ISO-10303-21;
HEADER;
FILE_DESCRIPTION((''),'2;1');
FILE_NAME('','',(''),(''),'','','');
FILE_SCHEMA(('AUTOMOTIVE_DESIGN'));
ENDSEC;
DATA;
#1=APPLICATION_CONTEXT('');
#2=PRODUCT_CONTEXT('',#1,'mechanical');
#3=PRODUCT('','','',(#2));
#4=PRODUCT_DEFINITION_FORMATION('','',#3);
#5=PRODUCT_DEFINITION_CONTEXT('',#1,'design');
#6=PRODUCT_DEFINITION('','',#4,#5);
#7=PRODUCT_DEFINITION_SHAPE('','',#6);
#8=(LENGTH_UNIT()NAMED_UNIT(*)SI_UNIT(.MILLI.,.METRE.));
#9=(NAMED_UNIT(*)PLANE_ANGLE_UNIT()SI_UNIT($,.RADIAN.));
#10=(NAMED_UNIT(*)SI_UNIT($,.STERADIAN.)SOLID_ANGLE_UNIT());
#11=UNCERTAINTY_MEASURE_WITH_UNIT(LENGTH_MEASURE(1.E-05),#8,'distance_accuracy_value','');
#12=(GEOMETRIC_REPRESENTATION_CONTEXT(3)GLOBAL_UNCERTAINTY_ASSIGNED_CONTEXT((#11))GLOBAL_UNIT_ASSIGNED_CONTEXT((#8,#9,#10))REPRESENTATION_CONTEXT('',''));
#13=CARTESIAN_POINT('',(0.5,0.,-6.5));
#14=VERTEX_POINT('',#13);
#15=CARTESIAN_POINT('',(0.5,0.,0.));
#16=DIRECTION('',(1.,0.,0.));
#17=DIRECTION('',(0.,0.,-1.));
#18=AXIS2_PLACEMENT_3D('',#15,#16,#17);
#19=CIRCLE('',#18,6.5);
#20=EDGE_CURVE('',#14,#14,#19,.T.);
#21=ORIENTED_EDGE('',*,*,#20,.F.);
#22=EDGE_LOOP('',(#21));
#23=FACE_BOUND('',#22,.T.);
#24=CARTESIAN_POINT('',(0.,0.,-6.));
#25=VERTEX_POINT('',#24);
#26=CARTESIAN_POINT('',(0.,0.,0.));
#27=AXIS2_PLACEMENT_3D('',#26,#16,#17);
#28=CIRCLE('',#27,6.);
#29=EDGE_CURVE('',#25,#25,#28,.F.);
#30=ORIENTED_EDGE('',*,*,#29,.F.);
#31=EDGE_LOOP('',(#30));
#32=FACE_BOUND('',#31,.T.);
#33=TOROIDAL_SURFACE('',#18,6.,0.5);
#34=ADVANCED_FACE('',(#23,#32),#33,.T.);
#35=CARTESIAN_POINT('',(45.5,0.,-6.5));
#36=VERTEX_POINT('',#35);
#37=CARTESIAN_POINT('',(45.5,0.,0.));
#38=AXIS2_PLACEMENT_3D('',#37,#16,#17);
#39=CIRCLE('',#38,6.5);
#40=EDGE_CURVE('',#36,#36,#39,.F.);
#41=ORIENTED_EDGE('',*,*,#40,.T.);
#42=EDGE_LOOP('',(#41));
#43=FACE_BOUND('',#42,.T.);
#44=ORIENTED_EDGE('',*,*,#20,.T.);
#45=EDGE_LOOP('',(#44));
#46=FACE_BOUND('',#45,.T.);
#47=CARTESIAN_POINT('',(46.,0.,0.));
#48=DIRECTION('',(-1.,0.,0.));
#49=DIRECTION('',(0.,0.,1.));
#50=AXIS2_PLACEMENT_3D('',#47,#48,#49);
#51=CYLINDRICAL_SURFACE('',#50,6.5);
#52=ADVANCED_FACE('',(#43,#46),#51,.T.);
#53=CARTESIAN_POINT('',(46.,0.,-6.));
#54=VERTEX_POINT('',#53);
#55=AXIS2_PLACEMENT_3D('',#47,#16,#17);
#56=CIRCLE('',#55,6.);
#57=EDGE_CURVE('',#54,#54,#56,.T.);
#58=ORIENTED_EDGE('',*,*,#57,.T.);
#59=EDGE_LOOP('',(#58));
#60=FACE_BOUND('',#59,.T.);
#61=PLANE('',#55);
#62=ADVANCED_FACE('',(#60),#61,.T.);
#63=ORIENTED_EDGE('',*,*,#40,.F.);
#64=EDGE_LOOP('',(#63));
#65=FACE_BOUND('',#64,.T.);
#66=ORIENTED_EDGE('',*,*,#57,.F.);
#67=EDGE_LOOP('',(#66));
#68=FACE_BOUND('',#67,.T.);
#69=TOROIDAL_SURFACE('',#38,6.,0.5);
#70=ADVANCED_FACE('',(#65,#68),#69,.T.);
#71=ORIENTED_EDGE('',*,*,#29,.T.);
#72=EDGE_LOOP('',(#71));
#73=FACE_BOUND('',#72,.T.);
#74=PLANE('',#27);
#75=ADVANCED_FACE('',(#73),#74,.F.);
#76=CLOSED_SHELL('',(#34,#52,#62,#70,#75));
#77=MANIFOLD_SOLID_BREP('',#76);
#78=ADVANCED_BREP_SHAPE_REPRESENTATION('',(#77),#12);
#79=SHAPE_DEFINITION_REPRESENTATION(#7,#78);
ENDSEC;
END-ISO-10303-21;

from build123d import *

# Parameters (mm, degrees)
SKETCH_3_R      = 6.5
EXTRUDE_1_DEPTH = 46
FILLET_1_R      = 0.5


with BuildPart() as part:
    # Эскиз3 → Бобышка-Вытянуть1 (new body)
    with BuildSketch(Plane(origin=(0, 0, 0), x_dir=(0, 0, -1), z_dir=(1, 0, 0))):
        Circle(SKETCH_3_R)
    extrude(amount=EXTRUDE_1_DEPTH)

    # Скругление1
    fillet_1_edges = [part.edges().sort_by_distance(p)[0] for p in [
        (0, 0, 6.5),
        (46, 0, 6.5),
    ]]
    fillet(fillet_1_edges, radius=FILLET_1_R)


solid = part.part
